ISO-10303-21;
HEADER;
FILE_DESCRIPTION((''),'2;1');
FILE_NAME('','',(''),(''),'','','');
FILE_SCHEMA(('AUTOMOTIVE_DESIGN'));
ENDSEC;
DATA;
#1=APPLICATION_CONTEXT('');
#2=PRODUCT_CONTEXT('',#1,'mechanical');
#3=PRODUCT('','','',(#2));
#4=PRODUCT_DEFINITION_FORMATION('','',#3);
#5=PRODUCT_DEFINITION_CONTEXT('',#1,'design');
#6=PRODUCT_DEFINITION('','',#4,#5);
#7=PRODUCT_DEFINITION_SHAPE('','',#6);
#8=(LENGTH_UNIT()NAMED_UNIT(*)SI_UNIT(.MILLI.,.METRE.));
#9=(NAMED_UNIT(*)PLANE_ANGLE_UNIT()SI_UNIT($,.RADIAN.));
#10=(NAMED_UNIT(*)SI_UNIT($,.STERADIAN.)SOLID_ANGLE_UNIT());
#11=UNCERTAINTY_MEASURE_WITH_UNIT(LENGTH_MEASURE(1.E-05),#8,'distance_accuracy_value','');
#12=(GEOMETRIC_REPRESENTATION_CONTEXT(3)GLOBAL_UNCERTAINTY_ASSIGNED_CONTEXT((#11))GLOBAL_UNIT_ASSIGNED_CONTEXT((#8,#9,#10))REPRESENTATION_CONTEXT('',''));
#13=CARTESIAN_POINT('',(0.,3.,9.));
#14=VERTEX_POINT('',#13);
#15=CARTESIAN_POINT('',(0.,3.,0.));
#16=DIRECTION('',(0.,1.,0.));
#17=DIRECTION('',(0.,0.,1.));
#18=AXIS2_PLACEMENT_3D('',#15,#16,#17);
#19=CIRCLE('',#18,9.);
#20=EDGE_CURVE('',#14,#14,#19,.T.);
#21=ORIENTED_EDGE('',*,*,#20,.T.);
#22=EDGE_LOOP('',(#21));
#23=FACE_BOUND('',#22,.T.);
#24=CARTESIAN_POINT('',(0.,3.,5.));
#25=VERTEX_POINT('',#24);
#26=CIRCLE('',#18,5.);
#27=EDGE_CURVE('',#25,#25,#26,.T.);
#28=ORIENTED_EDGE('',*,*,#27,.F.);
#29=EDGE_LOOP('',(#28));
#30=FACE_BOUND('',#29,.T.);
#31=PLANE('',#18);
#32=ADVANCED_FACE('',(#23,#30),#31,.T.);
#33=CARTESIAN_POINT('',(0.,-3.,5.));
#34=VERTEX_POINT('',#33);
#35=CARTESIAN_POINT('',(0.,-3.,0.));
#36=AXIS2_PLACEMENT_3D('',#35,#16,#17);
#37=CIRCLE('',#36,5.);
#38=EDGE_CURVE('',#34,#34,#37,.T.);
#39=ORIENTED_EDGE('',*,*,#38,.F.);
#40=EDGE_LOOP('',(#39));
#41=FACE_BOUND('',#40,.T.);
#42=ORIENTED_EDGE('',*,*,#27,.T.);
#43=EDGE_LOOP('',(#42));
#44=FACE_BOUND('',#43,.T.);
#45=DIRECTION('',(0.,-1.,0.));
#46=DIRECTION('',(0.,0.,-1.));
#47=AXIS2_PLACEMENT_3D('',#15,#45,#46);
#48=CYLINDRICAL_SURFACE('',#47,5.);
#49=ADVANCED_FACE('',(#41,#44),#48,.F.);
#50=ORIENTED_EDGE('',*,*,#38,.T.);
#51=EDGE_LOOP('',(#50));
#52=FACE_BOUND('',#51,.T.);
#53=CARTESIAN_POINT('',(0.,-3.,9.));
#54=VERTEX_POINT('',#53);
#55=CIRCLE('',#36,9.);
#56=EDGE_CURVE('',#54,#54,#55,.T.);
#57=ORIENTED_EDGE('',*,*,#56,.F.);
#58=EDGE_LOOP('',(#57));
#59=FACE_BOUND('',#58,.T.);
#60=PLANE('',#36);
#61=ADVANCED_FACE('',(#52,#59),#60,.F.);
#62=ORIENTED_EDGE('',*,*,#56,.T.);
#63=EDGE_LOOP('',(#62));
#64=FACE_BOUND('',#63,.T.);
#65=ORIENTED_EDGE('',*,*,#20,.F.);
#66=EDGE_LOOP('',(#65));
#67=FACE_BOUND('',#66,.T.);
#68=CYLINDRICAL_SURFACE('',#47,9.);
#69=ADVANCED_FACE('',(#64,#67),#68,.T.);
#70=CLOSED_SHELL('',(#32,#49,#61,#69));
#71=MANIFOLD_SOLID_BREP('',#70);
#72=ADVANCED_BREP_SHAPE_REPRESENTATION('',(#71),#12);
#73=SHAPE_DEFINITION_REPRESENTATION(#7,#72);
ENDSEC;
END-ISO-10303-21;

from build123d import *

# Parameters (mm, degrees)
SKETCH1_R           = 9
SKETCH1_R_2         = 5
BOSS_EXTRUDE1_DEPTH = 3


with BuildPart() as part:
    # Sketch1 → Boss-Extrude1 (new, symmetric)
    with BuildSketch(Plane(origin=(0, 0, 0), x_dir=(1, 0, 0), z_dir=(0, 1, 0))):
        with Locations(Location((0, 0, 0), (0, 0, 270))):
            Circle(SKETCH1_R)
        with Locations(Location((0, 0, 0), (0, 0, 270))):
            Circle(SKETCH1_R_2, mode=Mode.SUBTRACT)
    extrude(amount=BOSS_EXTRUDE1_DEPTH, both=True)


solid = part.part
